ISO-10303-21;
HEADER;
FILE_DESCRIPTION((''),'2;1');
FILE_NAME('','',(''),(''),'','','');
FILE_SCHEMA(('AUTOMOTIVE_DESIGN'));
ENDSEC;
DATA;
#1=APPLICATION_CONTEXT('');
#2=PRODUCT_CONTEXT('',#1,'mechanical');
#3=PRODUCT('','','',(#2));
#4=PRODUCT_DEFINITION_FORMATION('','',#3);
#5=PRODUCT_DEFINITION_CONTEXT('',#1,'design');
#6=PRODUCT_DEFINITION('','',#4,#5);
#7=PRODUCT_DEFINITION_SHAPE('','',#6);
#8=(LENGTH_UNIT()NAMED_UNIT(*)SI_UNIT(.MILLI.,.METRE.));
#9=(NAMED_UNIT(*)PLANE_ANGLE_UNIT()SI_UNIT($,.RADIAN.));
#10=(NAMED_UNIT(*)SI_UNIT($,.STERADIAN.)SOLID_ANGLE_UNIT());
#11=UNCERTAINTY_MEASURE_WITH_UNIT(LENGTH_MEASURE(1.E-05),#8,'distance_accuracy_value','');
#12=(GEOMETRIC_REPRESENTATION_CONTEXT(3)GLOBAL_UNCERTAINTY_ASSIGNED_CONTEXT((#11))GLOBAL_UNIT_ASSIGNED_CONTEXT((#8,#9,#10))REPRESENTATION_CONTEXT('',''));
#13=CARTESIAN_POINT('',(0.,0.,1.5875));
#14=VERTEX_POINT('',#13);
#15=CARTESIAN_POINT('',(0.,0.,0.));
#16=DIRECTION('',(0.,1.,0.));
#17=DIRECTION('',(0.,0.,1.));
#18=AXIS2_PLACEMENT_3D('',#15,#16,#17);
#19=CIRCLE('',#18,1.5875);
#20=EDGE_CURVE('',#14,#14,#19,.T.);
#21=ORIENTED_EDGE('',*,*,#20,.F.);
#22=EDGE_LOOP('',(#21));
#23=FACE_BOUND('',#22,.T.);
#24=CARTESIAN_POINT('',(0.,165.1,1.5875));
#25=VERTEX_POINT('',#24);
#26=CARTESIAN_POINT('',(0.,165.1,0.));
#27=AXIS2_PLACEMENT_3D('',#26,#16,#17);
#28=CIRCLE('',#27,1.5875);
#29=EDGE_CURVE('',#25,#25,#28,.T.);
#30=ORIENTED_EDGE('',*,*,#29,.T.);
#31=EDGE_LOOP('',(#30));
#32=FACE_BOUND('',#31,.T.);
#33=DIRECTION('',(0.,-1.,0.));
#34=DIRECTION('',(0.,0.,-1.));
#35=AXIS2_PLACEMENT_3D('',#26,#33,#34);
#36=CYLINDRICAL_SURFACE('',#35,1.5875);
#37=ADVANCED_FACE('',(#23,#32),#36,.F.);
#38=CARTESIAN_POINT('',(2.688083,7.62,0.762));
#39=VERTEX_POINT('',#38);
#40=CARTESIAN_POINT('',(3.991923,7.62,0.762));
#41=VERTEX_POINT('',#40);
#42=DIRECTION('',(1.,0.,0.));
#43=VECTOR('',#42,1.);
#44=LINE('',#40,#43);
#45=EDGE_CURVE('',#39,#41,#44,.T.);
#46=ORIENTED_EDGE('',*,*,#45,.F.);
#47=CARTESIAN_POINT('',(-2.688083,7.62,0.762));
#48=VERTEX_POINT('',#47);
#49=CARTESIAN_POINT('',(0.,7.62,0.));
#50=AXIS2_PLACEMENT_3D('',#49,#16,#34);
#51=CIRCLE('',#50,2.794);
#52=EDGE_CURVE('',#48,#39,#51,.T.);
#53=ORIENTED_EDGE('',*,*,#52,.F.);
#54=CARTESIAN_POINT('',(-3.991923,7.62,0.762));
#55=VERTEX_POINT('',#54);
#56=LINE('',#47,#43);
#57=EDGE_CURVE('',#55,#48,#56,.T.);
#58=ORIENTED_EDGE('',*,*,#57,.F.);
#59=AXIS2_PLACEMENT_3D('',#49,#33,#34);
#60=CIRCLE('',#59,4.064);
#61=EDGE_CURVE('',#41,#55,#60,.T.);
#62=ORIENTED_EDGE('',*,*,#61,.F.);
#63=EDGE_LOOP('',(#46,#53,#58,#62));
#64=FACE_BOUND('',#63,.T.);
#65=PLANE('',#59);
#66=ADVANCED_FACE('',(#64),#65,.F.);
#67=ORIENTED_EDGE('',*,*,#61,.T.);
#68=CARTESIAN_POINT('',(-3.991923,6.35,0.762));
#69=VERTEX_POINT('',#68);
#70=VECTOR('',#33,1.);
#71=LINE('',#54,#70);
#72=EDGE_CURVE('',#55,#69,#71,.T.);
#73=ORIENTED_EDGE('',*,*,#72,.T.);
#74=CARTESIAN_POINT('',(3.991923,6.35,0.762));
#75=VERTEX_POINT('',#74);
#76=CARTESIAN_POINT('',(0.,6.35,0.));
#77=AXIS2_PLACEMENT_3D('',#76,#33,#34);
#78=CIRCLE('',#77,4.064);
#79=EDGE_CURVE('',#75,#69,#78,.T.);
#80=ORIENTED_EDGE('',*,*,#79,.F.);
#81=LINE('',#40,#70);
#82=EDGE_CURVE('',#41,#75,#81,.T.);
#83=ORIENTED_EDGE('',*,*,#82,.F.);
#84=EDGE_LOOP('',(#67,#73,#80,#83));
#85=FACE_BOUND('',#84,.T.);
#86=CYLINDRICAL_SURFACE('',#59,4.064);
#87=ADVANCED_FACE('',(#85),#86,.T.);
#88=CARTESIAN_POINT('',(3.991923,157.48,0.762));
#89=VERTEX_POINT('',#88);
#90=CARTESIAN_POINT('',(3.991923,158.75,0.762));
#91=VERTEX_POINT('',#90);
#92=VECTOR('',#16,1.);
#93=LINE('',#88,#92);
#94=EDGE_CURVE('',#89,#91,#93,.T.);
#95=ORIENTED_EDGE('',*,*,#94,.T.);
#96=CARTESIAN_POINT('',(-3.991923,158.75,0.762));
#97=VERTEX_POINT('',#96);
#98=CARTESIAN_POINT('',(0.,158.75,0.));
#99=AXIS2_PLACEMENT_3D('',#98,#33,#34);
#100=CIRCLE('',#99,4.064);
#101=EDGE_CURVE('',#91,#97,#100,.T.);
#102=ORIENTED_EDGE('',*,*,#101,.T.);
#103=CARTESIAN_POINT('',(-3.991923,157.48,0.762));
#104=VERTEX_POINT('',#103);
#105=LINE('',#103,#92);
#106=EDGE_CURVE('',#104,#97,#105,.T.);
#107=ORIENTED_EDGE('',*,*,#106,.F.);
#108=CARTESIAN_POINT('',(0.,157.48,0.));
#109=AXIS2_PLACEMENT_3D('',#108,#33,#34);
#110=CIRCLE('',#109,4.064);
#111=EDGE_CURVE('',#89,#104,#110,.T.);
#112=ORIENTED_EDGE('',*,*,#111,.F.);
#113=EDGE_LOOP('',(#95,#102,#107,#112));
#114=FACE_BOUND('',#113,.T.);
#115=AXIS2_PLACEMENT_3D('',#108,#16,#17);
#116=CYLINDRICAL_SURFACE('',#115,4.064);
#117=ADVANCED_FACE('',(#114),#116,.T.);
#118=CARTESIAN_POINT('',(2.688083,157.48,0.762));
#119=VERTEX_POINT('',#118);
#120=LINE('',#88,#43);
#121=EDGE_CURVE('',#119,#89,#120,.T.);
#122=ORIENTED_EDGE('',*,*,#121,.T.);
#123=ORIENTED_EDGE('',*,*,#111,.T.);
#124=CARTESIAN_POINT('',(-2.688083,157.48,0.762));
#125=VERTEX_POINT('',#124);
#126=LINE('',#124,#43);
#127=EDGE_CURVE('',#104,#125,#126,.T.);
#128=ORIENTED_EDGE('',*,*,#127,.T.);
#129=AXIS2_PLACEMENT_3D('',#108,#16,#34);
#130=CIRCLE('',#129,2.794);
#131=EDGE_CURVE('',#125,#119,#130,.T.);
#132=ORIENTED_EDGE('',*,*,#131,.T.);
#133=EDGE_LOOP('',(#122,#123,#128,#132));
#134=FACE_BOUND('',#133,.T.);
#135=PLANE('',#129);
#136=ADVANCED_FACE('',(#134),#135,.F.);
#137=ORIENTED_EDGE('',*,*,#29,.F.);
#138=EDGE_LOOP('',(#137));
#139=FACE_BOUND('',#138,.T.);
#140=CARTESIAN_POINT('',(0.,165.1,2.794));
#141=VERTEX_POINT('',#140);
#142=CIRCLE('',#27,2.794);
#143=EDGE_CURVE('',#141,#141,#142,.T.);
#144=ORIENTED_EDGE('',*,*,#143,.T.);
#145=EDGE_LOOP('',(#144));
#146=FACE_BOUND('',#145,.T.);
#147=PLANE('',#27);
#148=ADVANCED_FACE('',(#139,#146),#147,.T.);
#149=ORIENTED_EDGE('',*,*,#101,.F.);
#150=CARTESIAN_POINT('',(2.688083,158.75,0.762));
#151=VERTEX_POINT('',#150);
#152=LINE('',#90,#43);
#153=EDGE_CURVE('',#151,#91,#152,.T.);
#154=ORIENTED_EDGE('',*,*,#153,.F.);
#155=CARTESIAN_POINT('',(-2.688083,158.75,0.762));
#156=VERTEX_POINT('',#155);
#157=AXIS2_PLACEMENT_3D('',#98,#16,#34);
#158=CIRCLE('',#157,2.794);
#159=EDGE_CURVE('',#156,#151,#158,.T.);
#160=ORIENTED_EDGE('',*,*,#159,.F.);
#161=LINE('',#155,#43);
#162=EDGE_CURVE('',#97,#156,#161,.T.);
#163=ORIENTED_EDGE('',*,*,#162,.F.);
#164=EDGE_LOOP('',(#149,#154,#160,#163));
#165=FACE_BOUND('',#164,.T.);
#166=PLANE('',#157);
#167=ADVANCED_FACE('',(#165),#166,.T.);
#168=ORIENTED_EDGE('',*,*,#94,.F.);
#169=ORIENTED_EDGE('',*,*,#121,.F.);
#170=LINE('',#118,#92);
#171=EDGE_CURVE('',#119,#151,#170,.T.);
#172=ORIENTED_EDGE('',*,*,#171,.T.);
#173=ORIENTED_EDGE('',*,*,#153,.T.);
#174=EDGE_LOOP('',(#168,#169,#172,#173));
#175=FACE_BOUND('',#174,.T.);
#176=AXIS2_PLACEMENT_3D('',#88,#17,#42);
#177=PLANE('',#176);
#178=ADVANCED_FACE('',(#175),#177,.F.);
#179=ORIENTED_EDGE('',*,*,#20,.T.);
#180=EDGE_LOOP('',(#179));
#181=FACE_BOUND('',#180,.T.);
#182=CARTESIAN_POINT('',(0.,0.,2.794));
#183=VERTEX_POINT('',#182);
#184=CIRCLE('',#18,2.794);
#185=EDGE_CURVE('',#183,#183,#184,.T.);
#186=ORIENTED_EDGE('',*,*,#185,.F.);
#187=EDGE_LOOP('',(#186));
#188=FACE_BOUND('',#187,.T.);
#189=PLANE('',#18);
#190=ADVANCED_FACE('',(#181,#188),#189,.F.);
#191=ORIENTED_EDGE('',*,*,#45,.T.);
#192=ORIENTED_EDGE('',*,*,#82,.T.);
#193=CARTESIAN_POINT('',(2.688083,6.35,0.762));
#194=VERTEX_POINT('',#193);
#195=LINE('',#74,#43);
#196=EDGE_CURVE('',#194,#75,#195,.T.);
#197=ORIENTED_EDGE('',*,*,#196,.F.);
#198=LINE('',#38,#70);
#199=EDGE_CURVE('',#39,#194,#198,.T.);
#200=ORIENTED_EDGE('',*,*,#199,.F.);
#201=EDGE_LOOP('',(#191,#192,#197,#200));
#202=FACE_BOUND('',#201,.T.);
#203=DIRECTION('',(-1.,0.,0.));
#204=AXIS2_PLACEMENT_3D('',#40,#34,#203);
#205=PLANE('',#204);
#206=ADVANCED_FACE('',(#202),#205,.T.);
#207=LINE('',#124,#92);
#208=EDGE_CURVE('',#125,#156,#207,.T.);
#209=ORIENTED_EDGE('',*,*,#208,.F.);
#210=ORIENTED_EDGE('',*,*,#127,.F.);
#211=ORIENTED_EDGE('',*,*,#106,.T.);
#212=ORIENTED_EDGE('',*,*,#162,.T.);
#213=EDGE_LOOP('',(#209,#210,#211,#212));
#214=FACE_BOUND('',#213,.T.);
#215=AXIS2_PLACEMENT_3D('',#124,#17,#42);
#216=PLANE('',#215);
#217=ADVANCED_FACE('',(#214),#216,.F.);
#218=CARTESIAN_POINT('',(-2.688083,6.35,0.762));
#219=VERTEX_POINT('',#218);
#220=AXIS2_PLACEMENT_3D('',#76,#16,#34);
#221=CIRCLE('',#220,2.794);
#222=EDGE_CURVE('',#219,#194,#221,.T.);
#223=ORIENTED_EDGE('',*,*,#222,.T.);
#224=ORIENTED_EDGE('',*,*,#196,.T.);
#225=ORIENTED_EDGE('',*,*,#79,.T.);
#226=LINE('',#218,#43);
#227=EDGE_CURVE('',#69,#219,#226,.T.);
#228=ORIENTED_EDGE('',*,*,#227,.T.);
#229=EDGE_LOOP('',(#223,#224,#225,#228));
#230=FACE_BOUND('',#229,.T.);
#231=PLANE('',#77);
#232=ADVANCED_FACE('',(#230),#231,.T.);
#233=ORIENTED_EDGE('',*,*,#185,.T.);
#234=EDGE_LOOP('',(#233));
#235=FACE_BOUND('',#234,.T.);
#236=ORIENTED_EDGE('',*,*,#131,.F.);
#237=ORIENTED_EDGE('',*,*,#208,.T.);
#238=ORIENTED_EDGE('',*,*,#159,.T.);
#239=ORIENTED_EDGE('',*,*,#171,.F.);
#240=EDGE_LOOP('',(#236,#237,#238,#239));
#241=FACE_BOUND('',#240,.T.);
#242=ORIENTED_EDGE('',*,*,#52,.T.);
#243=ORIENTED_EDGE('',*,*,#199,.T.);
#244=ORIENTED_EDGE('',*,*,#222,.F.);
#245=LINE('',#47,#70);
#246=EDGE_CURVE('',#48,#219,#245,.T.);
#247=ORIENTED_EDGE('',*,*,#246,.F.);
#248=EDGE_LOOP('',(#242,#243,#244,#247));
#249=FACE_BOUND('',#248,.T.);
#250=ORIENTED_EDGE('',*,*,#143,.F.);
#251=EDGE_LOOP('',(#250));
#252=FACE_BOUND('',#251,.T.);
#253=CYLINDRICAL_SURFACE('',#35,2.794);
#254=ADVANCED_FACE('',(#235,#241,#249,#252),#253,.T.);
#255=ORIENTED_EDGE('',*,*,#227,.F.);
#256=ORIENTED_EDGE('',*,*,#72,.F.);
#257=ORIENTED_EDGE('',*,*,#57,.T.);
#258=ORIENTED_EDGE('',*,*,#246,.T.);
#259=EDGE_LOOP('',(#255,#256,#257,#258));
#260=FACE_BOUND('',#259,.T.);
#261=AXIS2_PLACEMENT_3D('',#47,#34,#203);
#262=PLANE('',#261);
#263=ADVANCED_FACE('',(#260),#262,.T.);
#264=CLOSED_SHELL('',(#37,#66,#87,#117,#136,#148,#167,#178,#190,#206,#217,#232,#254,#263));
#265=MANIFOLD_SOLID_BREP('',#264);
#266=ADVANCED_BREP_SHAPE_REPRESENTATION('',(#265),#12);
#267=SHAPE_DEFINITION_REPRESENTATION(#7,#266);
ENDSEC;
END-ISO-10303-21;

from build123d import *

# Parameters (mm, degrees)
SKETCH1_R           = 2.794
SKETCH1_R_2         = 1.5875
BOSS_EXTRUDE1_DEPTH = 165.1
BOSS_EXTRUDE2_DEPTH = 1.27


with BuildPart() as part:
    # Sketch1 → Boss-Extrude1 (new body)
    with BuildSketch(Plane(origin=(0, 0, 0), x_dir=(1, 0, 0), z_dir=(0, 1, 0))):
        Circle(SKETCH1_R)
        Circle(SKETCH1_R_2, mode=Mode.SUBTRACT)
    extrude(amount=BOSS_EXTRUDE1_DEPTH)

    # Sketch2 → Boss-Extrude2 (add)
    with BuildSketch(Plane(origin=(0, 6.35, 0), x_dir=(-1, 0, 0), z_dir=(0, -1, 0))):
        with BuildLine():
            Line((-3.991923346, -0.762), (-2.688083332, -0.762))
            ThreePointArc((-2.688083332, -0.762), (0, -2.794), (2.688083332, -0.762))
            Line((2.688083332, -0.762), (3.991923346, -0.762))
            ThreePointArc((3.991923346, -0.762), (0, -4.064), (-3.991923346, -0.762))
        make_face()
    boss_extrude2 = extrude(amount=-BOSS_EXTRUDE2_DEPTH)

    # Mirror1: Boss-Extrude2 across plane
    add(boss_extrude2.mirror(Plane(origin=(0, 82.55, 0), x_dir=(0, 0, 1), z_dir=(0, -1, 0))))


solid = part.part
